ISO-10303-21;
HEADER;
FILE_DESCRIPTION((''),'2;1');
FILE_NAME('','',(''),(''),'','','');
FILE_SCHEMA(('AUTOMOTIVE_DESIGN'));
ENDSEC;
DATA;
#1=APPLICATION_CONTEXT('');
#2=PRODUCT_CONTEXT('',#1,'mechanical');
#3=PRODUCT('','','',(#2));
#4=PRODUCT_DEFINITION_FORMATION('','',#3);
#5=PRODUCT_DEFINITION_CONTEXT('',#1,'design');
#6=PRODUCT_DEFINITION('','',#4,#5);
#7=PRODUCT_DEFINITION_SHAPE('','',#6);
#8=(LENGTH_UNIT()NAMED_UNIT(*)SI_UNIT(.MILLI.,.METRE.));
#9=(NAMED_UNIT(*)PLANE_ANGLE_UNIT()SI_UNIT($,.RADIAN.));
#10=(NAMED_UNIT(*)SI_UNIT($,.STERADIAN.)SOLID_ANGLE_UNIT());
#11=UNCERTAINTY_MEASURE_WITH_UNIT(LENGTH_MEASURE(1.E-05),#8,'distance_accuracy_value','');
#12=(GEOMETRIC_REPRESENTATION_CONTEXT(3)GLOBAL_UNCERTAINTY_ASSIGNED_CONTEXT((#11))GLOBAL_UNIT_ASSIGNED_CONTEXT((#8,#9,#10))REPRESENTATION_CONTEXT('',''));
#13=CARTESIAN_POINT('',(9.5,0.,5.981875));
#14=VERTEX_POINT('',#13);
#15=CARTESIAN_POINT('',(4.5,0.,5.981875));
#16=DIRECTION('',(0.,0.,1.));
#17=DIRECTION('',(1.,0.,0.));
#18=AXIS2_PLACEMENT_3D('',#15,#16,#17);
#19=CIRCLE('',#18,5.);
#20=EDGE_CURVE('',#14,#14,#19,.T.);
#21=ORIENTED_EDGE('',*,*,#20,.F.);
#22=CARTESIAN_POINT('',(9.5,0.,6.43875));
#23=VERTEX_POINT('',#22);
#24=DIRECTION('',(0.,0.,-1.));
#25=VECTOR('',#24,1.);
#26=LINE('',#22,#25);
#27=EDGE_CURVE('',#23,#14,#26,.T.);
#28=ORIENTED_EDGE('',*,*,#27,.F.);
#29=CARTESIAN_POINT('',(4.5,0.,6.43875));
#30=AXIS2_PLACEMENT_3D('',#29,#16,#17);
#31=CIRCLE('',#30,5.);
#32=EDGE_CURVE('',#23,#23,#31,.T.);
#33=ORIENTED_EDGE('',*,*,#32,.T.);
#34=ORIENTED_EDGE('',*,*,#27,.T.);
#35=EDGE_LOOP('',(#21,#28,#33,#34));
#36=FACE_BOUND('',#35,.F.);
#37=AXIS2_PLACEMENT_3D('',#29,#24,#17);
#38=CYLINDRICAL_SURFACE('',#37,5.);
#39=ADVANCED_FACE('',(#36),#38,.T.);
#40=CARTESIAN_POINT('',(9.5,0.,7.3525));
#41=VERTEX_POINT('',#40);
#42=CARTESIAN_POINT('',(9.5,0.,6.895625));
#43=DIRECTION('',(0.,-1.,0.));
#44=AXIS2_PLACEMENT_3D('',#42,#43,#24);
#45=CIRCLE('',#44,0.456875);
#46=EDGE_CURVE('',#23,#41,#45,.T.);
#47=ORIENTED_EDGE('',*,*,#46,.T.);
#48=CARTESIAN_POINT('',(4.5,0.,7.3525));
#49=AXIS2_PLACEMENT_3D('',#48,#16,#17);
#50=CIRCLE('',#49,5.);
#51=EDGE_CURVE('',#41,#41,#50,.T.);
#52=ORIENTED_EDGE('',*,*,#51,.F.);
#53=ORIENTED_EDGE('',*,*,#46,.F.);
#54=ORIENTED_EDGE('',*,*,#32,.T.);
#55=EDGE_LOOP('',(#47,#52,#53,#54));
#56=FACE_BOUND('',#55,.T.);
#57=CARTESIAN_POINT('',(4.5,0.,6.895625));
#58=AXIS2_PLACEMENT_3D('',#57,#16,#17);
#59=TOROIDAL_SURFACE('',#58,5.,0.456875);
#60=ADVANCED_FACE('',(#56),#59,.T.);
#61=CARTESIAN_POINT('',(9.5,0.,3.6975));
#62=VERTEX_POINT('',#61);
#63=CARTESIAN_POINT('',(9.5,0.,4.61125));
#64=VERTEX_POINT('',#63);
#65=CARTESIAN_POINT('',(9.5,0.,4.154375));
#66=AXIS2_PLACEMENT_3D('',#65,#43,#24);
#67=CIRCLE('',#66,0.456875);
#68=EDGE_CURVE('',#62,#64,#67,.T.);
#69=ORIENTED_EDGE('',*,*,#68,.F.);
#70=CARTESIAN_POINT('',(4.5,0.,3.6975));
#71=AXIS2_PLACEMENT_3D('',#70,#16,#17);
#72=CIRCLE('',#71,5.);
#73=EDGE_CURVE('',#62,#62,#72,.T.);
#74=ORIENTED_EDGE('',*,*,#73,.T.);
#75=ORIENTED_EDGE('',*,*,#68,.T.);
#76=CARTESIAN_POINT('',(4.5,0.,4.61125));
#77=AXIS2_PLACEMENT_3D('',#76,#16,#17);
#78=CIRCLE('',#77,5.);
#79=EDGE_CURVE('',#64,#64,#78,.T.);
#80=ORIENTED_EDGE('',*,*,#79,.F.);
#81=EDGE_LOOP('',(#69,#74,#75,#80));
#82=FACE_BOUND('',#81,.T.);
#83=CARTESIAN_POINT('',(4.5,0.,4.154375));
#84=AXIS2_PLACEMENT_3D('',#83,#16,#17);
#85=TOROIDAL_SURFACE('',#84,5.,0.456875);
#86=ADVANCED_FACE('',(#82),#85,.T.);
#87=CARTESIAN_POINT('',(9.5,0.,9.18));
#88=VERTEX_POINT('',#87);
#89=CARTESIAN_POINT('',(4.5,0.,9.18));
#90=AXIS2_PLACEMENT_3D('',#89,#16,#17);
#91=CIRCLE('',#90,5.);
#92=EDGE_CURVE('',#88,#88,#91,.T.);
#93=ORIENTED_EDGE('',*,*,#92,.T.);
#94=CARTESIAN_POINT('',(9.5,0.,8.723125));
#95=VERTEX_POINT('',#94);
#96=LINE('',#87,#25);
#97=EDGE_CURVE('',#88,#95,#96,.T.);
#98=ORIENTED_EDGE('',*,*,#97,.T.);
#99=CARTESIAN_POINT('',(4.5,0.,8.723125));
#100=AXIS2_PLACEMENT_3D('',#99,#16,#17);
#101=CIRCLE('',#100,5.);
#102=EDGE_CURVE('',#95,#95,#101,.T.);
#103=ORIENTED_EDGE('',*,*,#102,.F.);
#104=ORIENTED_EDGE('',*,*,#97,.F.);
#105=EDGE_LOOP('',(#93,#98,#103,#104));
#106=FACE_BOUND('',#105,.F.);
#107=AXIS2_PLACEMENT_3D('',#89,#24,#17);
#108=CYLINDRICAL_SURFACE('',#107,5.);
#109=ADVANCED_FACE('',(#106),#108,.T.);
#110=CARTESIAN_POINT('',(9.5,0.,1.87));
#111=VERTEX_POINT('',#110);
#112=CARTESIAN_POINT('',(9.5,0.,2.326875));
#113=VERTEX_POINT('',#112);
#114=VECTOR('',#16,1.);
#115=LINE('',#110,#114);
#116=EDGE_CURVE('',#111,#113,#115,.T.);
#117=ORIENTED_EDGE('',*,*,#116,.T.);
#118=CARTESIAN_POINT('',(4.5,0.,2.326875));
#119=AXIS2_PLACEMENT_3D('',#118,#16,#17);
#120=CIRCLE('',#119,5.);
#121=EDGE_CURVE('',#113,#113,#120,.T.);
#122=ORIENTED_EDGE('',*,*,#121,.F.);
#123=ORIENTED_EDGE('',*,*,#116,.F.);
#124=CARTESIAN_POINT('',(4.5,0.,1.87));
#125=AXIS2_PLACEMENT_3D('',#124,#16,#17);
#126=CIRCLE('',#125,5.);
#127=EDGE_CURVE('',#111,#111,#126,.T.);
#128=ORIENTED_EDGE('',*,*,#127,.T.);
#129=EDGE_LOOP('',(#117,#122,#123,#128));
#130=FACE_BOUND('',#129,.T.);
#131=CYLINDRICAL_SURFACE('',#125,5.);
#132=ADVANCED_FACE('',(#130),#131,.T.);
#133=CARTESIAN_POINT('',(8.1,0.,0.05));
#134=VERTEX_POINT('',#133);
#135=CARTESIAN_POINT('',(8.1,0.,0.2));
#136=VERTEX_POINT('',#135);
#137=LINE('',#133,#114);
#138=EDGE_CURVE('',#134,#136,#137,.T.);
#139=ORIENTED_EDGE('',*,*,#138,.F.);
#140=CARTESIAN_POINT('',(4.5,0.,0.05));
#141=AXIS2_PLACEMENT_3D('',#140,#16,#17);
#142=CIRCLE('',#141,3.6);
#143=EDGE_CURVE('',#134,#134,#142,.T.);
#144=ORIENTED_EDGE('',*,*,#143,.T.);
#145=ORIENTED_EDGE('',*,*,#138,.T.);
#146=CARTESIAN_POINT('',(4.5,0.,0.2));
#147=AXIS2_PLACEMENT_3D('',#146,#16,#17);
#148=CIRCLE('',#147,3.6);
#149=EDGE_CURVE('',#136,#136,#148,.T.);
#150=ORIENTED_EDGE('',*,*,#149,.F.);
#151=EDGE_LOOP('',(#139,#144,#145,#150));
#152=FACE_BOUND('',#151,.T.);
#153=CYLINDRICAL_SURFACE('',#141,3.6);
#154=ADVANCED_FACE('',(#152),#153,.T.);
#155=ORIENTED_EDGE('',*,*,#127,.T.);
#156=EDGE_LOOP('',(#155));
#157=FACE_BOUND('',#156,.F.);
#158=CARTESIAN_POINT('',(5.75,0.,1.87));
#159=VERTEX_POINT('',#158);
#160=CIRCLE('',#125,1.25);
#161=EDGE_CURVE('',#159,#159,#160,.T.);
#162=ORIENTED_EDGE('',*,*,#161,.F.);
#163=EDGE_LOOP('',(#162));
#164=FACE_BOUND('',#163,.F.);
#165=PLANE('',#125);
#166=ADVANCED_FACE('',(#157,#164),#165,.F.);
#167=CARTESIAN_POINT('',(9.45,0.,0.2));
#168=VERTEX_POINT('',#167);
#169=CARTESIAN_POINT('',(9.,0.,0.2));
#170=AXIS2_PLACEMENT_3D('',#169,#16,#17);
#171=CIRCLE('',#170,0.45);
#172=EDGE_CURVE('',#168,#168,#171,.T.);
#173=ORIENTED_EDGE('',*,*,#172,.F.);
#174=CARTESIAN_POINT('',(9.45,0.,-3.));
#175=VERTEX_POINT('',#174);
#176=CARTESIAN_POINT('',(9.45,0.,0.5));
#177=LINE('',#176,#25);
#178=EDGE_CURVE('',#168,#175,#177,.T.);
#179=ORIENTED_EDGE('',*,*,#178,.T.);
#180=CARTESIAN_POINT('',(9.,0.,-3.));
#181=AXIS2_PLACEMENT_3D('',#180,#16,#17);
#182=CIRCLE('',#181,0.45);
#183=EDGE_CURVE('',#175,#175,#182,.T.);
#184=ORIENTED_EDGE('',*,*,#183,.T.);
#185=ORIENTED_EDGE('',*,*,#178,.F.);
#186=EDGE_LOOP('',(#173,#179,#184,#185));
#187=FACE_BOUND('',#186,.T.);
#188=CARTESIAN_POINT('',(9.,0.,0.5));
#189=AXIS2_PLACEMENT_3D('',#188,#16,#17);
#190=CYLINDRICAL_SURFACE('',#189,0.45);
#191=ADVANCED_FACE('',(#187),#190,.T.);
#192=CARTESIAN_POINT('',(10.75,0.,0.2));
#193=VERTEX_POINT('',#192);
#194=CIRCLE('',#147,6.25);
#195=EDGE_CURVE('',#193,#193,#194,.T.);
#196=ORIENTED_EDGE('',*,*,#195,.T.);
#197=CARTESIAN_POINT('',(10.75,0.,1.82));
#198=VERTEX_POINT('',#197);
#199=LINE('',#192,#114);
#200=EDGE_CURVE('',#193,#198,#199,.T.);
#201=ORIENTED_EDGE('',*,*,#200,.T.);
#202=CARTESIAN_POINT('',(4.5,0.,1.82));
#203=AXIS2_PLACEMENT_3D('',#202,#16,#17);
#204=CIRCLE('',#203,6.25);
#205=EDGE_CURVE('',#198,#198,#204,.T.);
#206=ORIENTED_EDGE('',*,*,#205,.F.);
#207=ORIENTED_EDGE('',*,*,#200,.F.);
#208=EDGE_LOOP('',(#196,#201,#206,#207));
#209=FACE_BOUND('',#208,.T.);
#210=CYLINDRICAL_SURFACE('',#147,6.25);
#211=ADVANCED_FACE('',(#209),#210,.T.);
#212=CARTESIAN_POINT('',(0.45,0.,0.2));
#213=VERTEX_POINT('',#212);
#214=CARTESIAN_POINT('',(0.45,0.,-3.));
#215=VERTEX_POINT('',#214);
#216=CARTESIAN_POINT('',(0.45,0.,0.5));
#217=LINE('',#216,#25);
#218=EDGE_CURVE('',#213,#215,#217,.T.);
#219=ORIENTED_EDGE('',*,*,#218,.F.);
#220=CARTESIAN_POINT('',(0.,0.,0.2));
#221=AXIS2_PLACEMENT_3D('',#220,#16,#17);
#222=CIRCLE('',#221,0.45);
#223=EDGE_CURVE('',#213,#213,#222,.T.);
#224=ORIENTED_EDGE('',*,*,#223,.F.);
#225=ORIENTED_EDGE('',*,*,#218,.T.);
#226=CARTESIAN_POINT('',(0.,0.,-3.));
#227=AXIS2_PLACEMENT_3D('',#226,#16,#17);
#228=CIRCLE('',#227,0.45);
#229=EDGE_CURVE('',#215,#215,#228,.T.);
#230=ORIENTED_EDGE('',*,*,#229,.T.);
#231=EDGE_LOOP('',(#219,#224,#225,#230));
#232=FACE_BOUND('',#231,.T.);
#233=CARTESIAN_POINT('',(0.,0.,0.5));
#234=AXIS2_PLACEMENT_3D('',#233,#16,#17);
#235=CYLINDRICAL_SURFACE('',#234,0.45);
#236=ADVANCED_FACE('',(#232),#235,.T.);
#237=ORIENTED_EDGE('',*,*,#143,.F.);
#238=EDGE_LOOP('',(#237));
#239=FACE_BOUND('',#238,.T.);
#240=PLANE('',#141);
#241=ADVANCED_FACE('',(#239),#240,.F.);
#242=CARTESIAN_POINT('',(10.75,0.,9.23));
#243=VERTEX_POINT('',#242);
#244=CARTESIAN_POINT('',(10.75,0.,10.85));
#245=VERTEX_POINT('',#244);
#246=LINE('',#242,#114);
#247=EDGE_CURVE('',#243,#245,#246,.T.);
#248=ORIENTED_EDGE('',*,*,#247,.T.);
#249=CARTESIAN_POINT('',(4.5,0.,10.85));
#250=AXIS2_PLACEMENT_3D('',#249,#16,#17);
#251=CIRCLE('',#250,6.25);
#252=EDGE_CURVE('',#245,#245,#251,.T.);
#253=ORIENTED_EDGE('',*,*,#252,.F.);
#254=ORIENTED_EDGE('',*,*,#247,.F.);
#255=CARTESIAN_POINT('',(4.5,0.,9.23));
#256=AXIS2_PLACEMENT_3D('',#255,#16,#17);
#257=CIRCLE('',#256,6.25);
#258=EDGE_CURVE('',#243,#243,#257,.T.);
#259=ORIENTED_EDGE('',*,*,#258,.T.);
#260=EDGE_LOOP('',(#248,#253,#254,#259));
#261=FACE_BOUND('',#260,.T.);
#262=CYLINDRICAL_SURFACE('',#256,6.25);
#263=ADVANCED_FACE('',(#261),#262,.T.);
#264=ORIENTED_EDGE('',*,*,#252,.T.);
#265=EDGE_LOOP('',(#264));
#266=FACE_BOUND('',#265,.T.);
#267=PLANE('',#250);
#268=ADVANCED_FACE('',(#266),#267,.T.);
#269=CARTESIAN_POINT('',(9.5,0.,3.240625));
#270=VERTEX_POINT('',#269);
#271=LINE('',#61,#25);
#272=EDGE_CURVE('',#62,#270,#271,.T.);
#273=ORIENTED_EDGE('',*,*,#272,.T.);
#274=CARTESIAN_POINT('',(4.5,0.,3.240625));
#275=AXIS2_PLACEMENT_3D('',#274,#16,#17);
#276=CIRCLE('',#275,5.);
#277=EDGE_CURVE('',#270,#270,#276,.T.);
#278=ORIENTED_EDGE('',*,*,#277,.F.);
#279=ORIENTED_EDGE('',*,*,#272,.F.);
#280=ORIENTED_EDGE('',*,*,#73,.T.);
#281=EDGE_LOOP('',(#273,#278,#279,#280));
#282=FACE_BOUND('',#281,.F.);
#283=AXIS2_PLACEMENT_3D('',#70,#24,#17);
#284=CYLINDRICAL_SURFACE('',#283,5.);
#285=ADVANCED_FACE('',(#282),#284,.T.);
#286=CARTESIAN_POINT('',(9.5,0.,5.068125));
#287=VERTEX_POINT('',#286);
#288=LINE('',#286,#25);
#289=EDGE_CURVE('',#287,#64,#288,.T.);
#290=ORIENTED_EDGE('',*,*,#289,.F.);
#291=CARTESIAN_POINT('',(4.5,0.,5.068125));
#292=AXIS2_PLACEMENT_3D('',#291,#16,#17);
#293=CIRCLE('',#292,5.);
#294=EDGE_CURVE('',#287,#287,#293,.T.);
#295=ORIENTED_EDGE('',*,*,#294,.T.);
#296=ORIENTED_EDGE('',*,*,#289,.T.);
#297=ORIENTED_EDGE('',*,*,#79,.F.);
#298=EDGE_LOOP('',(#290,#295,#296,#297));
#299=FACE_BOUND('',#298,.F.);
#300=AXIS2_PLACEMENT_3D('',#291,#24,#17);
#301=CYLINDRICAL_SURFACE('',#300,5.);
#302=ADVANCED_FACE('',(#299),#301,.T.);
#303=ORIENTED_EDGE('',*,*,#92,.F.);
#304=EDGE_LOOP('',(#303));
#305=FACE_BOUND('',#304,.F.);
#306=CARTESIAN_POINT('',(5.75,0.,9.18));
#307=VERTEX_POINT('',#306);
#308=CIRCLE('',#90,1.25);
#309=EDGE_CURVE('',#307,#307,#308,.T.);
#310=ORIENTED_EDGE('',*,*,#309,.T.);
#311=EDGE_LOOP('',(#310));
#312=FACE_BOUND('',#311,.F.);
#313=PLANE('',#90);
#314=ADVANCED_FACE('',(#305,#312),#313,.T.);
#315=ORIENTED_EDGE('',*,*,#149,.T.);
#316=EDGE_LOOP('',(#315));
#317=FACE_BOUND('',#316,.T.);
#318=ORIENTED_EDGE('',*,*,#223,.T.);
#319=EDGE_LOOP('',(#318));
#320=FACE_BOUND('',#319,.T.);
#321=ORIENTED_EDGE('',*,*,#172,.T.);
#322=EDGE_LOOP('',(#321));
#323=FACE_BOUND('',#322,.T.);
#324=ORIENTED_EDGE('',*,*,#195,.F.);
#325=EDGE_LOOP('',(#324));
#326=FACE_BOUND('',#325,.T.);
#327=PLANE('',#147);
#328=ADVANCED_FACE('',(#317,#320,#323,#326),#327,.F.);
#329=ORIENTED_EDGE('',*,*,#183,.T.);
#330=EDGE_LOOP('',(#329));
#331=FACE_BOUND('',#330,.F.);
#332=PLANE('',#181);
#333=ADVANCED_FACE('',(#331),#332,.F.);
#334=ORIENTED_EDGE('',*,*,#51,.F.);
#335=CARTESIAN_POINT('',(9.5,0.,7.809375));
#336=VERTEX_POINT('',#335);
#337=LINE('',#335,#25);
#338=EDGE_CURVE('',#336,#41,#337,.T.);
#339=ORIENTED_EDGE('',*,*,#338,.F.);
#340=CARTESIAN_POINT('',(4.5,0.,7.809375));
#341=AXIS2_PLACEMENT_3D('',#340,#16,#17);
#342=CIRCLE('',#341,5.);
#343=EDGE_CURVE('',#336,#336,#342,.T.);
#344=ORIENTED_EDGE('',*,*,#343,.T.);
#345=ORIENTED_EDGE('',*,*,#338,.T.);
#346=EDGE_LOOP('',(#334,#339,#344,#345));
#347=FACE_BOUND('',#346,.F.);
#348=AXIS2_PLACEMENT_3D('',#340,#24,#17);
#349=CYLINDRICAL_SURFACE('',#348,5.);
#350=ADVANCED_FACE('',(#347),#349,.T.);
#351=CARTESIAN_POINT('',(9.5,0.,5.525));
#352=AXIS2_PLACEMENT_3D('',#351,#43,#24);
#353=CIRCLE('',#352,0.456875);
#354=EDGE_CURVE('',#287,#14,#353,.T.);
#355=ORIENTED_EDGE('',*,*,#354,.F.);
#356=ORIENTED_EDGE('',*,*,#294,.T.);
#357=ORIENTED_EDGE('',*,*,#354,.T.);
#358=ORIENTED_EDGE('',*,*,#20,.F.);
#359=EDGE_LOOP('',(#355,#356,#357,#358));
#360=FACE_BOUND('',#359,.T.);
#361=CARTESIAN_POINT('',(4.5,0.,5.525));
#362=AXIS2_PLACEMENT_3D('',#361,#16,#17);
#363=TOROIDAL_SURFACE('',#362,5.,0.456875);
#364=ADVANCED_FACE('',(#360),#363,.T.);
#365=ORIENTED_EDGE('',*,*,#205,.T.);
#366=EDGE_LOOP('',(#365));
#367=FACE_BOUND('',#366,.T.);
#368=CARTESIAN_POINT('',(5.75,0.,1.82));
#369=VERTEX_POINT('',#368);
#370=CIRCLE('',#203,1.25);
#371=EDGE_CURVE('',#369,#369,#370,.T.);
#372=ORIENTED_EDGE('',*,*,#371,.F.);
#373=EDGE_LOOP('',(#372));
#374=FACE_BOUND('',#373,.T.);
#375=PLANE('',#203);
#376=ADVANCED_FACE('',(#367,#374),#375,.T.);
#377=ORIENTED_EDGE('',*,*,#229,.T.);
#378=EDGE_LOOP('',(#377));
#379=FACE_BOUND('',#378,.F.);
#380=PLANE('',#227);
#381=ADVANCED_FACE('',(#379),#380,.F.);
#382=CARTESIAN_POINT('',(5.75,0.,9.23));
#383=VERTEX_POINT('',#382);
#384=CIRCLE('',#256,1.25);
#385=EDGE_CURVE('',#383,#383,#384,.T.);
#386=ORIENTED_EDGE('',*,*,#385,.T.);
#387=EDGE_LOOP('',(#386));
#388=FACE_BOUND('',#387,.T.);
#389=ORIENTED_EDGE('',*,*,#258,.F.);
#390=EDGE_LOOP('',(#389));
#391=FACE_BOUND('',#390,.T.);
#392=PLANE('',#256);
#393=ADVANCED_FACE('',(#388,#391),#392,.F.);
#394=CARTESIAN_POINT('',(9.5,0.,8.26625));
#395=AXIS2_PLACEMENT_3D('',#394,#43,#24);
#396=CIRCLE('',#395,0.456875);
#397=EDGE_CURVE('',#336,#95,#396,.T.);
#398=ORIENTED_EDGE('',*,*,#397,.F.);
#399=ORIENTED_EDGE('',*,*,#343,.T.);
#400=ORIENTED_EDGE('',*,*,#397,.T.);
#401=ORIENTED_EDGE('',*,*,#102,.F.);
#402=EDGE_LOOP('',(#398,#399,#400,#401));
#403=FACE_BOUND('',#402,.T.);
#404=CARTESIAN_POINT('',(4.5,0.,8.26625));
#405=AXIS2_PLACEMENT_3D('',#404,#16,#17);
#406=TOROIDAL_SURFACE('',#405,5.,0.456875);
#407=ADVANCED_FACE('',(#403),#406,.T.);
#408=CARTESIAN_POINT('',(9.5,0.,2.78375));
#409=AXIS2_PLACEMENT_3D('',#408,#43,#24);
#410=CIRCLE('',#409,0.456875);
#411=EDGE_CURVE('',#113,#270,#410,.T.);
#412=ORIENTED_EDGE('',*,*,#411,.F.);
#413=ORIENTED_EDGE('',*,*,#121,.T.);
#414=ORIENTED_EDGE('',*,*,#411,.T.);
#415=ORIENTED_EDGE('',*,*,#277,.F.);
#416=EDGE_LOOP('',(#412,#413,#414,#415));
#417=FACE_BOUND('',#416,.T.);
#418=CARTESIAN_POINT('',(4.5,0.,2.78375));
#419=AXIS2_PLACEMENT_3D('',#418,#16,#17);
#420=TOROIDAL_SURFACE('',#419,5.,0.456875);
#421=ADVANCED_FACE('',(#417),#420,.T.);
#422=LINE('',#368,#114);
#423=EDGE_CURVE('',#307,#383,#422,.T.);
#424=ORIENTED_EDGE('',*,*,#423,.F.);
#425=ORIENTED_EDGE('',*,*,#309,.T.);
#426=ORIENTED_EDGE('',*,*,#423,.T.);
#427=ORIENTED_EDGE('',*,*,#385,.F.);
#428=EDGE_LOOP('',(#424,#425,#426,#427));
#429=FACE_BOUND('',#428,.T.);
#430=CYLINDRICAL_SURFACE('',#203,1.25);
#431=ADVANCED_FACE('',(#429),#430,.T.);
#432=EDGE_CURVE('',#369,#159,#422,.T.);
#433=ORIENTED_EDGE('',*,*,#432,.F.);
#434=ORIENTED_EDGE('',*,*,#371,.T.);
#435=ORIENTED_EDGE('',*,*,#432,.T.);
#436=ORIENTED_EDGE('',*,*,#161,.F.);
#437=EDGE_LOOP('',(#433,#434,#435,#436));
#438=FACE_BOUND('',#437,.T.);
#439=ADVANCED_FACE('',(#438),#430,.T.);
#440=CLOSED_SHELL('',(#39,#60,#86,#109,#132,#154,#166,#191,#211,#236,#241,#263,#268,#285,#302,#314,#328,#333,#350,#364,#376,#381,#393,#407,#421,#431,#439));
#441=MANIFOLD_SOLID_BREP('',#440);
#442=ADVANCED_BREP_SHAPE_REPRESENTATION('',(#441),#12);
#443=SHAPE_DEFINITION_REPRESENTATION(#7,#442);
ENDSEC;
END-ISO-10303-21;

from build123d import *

# Parameters (mm, degrees)
SKETCH001_R  = 0.45
PAD001_DEPTH = 3.5


with BuildPart() as revolution:
    # Sketch → Revolution (revolve)
    with BuildSketch(Plane(origin=(4.5, 0, 0), x_dir=(1, 0, 0), z_dir=(0, -1, 0))):
        Polygon((0, 0.05), (3.6, 0.05), (3.6, 0.2), (6.25, 0.2), (6.25, 1.82), (1.25, 1.82), (1.25, 9.23), (6.25, 9.23), (6.25, 10.85), (0, 10.85), align=None)
    revolve(axis=Axis((4.5, 0, 0), (0, 0, 1)))


with BuildPart() as pad001:
    # Sketch001 → Pad001 (new body)
    with BuildSketch(Plane.XY.offset(0.5)):
        Circle(SKETCH001_R)
        with Locations((9, 0)):
            Circle(SKETCH001_R)
    extrude(amount=-PAD001_DEPTH)


with BuildPart() as l_radial_d12_5mm_p9_00mm_fastron_09hcp:
    # Sketch002 → Revolution001 (revolve)
    with BuildSketch(Plane(origin=(4.5, 0, 0), x_dir=(1, 0, 0), z_dir=(0, -1, 0))):
        with BuildLine():
            Line((5, 1.87), (1.25, 1.87))
            Line((1.25, 1.87), (1.25, 9.18))
            Line((1.25, 9.18), (5, 9.18))
            Line((5, 9.18), (5, 8.723125))
            ThreePointArc((5, 7.809375), (5.456875, 8.26625), (5, 8.723125))
            Line((5, 7.809375), (5, 7.3525))
            ThreePointArc((5, 6.43875), (5.456875, 6.895625), (5, 7.3525))
            Line((5, 6.43875), (5, 5.981875))
            ThreePointArc((5, 5.068125), (5.456875, 5.525), (5, 5.981875))
            Line((5, 5.068125), (5, 4.61125))
            ThreePointArc((5, 3.6975), (5.456875, 4.154375), (5, 4.61125))
            Line((5, 3.6975), (5, 3.240625))
            ThreePointArc((5, 2.326875), (5.456875, 2.78375), (5, 3.240625))
            Line((5, 1.87), (5, 2.326875))
        make_face()
    revolve(axis=Axis((4.5, 0, 0), (0, 0, 1)))

    # Revolution001_mp_cp: union Revolution, Pad001
    add(revolution.part)
    add(pad001.part)


solid = l_radial_d12_5mm_p9_00mm_fastron_09hcp.part
